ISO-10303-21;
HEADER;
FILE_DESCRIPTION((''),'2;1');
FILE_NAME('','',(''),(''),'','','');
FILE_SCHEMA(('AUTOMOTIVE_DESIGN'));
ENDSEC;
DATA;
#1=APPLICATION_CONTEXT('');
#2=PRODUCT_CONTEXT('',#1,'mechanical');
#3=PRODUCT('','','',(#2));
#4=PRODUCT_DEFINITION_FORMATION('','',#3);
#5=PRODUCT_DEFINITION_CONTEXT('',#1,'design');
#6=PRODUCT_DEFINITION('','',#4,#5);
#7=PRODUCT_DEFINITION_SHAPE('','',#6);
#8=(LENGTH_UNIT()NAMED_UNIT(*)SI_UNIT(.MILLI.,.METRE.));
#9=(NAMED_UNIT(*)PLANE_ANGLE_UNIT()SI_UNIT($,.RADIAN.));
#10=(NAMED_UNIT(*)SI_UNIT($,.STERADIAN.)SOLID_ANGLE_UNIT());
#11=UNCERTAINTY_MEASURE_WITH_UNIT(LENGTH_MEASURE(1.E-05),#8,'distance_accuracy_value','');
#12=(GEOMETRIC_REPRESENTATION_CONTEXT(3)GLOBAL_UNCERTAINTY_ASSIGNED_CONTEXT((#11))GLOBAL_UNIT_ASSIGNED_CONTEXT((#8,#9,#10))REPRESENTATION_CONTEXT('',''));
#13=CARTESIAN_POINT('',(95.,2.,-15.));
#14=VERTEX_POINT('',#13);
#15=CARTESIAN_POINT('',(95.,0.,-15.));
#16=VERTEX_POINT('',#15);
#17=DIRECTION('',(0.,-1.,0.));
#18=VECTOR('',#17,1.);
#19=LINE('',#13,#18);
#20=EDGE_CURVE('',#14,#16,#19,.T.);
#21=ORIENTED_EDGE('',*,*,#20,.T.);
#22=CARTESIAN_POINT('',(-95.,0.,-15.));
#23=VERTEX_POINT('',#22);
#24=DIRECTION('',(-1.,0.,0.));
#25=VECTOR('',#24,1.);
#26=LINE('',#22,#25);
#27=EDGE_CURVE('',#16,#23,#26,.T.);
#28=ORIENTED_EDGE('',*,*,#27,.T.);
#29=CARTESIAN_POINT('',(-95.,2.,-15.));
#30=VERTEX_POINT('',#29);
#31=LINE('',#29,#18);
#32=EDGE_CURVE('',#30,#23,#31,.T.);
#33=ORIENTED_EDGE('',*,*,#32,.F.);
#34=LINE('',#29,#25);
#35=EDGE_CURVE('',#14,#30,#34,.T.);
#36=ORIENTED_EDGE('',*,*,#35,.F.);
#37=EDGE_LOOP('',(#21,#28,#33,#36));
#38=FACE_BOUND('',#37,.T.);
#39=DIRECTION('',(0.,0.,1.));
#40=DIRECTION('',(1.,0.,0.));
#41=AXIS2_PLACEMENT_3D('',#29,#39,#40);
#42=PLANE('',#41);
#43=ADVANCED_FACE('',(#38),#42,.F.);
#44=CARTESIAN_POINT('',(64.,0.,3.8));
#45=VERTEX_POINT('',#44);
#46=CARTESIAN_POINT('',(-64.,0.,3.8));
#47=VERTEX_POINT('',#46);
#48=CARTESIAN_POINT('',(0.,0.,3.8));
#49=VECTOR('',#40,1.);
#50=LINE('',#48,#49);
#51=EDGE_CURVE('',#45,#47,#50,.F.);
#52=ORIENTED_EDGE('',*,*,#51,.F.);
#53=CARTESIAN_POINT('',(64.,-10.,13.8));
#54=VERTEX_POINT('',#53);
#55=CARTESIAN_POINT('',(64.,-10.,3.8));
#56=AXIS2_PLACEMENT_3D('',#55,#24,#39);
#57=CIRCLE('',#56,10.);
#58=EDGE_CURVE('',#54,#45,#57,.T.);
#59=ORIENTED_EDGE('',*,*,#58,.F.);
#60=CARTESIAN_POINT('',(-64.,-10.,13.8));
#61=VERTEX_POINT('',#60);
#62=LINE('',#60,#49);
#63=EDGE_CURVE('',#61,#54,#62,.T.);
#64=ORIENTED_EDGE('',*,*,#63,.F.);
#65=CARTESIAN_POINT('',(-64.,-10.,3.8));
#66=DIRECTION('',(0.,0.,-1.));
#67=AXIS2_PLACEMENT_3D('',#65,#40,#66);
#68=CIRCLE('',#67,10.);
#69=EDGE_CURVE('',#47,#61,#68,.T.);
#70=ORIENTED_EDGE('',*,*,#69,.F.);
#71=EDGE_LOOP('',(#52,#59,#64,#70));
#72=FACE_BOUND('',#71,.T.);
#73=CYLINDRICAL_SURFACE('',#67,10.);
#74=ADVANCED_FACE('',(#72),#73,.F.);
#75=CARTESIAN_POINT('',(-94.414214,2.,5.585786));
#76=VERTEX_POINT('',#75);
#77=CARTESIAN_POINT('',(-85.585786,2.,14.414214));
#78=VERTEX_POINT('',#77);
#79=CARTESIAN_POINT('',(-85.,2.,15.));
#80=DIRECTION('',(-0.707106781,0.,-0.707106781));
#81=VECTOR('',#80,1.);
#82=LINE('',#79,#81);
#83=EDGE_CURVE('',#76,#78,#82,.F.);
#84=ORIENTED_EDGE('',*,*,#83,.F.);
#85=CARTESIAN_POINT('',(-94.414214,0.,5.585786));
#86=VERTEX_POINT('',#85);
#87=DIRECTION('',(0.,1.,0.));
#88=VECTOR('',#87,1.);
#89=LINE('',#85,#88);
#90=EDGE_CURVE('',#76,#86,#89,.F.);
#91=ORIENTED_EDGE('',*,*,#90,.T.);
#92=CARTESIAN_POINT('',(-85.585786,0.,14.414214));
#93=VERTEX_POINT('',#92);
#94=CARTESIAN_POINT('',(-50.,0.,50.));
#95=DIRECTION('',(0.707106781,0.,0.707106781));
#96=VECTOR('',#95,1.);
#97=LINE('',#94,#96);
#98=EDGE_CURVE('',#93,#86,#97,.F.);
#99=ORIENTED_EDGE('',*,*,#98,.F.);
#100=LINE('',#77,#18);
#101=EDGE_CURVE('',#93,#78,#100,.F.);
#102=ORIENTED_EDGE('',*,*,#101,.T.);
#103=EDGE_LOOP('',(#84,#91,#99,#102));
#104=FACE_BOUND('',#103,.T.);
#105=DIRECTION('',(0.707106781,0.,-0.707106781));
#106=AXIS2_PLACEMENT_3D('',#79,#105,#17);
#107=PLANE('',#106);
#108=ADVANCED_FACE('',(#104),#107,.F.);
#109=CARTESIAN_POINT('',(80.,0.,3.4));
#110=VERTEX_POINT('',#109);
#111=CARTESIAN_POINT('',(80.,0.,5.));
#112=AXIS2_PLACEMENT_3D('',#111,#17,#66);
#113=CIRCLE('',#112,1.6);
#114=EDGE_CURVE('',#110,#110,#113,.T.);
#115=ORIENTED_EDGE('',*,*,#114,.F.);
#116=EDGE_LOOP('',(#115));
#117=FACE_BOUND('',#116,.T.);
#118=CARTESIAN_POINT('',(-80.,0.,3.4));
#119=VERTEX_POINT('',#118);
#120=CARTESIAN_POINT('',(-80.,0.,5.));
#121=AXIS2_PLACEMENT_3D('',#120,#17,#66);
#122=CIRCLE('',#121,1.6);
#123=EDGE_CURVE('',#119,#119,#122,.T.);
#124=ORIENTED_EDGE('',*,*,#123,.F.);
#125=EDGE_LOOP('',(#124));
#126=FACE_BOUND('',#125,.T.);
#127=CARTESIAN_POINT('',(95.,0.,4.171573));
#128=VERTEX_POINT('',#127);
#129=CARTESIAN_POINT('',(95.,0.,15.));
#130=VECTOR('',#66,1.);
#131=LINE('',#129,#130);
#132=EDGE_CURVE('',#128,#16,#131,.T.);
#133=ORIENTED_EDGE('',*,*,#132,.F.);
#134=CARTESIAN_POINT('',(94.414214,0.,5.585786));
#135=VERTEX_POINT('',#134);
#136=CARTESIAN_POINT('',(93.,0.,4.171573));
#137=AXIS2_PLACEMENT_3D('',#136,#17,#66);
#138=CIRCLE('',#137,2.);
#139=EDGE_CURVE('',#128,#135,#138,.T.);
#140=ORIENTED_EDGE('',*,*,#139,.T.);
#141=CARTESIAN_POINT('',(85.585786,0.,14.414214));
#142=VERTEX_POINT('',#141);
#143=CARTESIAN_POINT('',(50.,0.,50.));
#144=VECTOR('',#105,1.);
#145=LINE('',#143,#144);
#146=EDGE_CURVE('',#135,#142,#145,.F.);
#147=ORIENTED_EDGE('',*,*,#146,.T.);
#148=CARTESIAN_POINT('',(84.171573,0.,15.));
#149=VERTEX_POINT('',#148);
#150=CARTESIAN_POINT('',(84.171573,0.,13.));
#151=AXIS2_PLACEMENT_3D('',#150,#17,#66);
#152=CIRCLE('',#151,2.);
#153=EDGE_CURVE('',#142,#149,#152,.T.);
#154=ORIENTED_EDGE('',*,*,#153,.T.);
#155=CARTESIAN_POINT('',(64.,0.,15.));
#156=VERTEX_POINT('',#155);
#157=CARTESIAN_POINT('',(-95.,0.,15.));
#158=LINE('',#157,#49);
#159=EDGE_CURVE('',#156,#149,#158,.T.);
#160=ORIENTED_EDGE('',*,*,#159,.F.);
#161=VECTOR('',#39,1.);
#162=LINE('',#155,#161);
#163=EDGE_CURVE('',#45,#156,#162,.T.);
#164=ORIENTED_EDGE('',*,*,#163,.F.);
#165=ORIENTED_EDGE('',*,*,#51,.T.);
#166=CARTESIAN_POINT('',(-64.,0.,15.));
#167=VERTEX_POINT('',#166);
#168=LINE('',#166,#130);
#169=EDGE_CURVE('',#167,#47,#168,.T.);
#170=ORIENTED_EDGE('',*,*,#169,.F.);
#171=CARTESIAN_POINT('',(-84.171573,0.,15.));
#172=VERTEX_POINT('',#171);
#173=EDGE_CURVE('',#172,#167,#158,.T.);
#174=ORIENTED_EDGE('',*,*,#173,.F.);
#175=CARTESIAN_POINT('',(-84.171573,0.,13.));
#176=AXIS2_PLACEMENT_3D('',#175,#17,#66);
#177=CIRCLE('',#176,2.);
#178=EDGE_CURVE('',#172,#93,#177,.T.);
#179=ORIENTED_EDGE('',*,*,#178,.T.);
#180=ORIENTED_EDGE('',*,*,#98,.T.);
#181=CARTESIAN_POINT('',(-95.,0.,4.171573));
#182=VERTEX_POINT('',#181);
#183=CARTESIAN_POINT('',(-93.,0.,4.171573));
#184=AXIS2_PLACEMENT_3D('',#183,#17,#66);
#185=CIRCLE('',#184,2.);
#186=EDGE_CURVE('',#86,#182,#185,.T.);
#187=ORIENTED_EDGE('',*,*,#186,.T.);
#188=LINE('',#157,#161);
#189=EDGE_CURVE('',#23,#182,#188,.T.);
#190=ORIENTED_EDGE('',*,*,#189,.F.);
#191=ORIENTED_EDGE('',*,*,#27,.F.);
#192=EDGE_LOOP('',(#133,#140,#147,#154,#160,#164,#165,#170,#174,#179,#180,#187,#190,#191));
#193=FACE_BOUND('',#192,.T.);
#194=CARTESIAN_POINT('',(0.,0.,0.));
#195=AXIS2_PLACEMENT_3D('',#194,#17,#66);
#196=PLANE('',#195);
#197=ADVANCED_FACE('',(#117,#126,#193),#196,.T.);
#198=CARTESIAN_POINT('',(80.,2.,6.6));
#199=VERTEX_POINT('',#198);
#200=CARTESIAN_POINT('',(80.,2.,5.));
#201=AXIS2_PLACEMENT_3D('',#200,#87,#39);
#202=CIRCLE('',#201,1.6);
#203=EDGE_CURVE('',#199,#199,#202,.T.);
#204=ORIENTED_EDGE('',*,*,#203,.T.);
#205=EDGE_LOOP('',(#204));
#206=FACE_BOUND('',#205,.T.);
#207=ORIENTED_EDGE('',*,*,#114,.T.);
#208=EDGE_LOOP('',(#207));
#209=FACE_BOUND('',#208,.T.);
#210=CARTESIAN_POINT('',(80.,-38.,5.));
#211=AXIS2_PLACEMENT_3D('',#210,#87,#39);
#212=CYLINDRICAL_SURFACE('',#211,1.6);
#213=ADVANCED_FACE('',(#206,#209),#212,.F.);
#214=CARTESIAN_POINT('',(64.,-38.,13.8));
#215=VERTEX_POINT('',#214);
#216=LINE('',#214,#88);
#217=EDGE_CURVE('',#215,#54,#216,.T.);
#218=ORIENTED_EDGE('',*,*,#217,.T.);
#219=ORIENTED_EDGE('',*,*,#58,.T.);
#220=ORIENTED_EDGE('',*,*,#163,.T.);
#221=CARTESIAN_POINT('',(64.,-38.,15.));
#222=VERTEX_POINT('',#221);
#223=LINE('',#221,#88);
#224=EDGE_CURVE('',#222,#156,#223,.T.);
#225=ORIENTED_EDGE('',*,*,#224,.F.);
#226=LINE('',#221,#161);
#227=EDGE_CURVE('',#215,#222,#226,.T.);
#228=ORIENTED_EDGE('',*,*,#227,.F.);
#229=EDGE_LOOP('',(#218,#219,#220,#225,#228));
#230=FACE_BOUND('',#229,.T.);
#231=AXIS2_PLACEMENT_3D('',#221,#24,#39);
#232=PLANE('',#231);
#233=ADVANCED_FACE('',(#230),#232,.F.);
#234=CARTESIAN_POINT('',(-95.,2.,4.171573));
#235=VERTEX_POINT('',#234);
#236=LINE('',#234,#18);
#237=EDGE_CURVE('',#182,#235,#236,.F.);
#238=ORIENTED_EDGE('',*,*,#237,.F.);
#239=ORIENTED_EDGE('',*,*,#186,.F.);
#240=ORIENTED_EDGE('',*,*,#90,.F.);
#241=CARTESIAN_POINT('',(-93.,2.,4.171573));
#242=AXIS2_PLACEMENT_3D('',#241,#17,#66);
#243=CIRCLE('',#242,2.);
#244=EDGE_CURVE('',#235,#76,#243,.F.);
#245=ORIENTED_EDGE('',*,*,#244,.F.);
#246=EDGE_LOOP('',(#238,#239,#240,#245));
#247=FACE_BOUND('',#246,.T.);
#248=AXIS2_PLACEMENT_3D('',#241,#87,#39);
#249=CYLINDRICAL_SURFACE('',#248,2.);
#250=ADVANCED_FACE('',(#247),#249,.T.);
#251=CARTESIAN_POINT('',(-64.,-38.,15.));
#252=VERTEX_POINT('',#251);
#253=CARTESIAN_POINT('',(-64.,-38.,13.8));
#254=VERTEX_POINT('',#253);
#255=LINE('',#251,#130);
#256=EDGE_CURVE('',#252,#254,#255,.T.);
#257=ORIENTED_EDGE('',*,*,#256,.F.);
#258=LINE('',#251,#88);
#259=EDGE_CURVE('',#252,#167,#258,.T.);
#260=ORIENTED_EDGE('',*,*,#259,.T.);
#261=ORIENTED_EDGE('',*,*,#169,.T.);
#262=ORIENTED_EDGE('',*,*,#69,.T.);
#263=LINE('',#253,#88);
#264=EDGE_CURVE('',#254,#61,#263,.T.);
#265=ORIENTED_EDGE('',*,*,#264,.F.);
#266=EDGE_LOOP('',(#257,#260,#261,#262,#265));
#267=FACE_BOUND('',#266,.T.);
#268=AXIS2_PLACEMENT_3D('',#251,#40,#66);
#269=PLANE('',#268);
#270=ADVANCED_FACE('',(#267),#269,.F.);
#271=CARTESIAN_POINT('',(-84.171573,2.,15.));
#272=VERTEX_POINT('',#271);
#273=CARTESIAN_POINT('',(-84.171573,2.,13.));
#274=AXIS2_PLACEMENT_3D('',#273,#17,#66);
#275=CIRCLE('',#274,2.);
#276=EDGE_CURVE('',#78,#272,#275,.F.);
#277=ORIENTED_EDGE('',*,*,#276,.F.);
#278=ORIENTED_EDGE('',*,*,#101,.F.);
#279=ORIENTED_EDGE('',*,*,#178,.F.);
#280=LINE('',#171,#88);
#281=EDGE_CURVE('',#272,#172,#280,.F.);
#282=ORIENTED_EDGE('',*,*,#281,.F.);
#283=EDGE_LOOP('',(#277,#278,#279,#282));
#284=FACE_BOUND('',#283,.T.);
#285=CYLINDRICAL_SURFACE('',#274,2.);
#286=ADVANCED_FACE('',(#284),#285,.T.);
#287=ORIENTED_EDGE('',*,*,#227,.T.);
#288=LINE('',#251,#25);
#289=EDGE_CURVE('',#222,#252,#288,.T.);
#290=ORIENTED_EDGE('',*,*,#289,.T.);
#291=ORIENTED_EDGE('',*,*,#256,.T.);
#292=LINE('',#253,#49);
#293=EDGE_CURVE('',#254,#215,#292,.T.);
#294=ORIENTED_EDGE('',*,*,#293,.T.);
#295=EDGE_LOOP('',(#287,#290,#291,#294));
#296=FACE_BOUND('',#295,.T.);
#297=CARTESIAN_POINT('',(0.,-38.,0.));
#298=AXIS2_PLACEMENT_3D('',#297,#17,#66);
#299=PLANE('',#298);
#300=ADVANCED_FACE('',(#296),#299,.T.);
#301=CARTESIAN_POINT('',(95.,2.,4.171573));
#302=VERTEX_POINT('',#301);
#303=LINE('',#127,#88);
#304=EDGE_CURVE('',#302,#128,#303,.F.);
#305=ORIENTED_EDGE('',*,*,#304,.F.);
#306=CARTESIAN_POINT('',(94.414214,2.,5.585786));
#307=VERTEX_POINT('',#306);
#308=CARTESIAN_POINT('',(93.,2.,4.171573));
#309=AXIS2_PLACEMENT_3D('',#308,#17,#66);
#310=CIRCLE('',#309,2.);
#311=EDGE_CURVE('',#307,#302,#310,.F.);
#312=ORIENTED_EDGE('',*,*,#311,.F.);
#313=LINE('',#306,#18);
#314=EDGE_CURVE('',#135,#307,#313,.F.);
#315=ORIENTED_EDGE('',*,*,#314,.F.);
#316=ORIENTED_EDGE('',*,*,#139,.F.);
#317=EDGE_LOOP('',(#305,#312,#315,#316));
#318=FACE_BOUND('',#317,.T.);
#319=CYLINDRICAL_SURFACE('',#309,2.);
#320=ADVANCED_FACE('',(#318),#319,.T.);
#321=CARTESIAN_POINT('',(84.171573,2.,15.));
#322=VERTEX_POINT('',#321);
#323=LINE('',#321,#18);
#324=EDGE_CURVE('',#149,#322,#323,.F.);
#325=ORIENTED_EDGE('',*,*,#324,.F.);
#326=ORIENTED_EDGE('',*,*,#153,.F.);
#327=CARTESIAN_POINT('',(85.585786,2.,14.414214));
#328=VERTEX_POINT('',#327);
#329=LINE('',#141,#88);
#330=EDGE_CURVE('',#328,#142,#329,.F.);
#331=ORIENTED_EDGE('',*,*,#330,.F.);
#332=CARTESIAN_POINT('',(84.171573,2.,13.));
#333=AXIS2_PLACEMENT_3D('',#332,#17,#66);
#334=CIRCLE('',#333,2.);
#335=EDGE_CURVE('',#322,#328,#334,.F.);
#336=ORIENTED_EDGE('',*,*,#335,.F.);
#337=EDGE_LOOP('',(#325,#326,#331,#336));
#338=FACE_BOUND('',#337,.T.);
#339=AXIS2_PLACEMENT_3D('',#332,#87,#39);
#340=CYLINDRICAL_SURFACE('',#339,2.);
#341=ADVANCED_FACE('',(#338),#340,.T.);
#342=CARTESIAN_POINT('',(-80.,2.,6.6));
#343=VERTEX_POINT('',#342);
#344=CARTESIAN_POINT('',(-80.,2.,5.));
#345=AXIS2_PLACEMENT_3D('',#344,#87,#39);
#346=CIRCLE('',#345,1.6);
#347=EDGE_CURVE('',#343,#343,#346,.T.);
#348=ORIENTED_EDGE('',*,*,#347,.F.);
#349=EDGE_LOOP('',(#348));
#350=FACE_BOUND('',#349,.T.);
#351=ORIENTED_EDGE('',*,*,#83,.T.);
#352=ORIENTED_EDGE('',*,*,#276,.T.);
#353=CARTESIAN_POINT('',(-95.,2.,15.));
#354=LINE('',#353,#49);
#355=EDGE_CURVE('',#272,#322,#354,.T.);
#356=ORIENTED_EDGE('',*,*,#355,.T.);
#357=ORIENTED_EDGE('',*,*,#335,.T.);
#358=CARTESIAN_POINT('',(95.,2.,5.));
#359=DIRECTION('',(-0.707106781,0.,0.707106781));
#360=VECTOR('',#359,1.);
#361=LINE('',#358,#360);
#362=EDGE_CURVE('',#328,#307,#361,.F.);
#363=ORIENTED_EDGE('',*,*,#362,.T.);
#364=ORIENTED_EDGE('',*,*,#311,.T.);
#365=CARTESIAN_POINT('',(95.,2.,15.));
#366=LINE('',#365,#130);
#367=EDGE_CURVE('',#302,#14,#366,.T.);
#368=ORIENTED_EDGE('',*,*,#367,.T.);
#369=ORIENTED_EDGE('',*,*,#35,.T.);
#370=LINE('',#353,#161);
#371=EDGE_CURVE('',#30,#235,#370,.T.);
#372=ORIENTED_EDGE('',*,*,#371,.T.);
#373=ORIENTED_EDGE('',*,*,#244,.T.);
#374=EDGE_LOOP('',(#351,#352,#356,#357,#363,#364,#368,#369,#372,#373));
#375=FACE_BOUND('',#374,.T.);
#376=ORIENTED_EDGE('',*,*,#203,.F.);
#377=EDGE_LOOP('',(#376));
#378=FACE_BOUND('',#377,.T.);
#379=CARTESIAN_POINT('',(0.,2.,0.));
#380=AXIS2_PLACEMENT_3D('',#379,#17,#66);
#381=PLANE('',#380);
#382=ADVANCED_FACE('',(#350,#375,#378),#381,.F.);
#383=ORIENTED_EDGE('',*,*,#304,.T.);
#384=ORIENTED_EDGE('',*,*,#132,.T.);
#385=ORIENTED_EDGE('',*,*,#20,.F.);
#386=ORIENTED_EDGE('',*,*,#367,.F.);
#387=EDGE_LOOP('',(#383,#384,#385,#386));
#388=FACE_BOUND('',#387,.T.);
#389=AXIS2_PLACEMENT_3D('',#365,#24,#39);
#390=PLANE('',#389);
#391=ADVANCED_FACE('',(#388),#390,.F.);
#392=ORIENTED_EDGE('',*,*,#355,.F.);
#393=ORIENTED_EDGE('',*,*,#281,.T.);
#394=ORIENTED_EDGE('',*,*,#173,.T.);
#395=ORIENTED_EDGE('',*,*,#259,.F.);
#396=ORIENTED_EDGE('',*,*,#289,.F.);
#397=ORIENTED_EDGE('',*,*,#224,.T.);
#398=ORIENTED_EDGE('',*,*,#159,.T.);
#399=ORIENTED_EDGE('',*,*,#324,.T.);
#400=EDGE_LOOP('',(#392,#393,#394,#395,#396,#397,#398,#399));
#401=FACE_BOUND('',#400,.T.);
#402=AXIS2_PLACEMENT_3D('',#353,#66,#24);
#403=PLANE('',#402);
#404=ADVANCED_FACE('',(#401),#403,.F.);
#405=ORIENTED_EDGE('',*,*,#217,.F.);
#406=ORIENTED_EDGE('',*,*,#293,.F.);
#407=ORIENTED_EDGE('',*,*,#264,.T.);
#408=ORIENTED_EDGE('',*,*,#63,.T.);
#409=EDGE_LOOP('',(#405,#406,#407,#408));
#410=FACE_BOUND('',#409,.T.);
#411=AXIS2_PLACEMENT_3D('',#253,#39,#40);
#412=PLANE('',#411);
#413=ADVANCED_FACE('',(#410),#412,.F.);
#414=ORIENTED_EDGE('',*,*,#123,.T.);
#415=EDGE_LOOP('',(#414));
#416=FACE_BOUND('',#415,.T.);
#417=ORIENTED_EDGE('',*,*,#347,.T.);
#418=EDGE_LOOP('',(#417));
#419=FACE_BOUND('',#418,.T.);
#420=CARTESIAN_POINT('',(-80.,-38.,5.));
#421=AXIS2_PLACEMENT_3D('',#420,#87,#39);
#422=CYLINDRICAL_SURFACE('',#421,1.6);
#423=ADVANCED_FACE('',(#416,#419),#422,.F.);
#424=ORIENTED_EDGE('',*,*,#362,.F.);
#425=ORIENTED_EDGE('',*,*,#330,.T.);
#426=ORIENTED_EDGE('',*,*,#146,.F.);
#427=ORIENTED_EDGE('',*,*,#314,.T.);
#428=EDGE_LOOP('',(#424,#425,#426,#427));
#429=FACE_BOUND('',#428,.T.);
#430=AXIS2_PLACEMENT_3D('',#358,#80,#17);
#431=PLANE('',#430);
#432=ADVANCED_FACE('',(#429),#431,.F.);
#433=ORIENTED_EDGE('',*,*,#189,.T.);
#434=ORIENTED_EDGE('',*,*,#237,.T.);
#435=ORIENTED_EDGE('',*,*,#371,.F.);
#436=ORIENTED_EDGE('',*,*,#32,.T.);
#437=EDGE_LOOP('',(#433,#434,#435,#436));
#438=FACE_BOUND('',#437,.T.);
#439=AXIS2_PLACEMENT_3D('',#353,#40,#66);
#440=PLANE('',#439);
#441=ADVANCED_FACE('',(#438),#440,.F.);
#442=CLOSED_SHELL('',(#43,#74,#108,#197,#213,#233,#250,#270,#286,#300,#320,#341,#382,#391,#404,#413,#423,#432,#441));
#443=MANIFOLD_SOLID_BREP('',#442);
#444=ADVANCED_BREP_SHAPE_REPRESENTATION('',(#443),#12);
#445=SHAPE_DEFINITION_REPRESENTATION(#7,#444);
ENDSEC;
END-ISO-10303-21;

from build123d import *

# Parameters (mm, degrees)
ESQUISSE2_W             = 190
ESQUISSE2_H             = 30
BOSS_EXTRU_1_DEPTH      = 2
ESQUISSE3_W             = 128
ESQUISSE3_H             = 1.2
BOSS_EXTRU_2_DEPTH      = 38
CHANFREIN1_SIZE         = 10
CONG_1_R                = 2
ESQUISSE4_R             = 1.6
ENL_V_MAT_EXTRU_1_DEPTH = 41
CONG_2_R                = 10


with BuildPart() as part:
    # Esquisse2 → Boss.-Extru.1 (new body)
    with BuildSketch(Plane(origin=(0, 0, 0), x_dir=(1, 0, 0), z_dir=(0, 1, 0))):
        Rectangle(ESQUISSE2_W, ESQUISSE2_H)
    extrude(amount=BOSS_EXTRU_1_DEPTH)

    # Esquisse3 → Boss.-Extru.2 (add)
    with BuildSketch(Plane.XZ):
        with Locations((0, 14.4)):
            Rectangle(ESQUISSE3_W, ESQUISSE3_H)
    extrude(amount=BOSS_EXTRU_2_DEPTH)

    # Chanfrein1
    chanfrein1_edges = [part.edges().sort_by_distance(p)[0] for p in [
        (95, 1, 15),
        (-95, 1, 15),
    ]]
    chamfer(chanfrein1_edges, length=CHANFREIN1_SIZE)

    # Congé1
    cong_1_edges = [part.edges().sort_by_distance(p)[0] for p in [
        (95, 1, 5),
        (-85, 1, 15),
        (85, 1, 15),
        (-95, 1, 5),
    ]]
    fillet(cong_1_edges, radius=CONG_1_R)

    # Esquisse4 → Enlèv. mat.-Extru.1 (cut, through all)
    with BuildSketch(Plane(origin=(0, 2, 0), x_dir=(1, 0, 0), z_dir=(0, 1, 0))):
        with Locations((-80, -5)):
            Circle(ESQUISSE4_R)
        with Locations((80, -5)):
            Circle(ESQUISSE4_R)
    extrude(amount=-ENL_V_MAT_EXTRU_1_DEPTH, mode=Mode.SUBTRACT)

    # Congé2
    cong_2_edges = [part.edges().sort_by_distance(p)[0] for p in [
        (0, 0, 13.8),
    ]]
    fillet(cong_2_edges, radius=CONG_2_R)


solid = part.part
